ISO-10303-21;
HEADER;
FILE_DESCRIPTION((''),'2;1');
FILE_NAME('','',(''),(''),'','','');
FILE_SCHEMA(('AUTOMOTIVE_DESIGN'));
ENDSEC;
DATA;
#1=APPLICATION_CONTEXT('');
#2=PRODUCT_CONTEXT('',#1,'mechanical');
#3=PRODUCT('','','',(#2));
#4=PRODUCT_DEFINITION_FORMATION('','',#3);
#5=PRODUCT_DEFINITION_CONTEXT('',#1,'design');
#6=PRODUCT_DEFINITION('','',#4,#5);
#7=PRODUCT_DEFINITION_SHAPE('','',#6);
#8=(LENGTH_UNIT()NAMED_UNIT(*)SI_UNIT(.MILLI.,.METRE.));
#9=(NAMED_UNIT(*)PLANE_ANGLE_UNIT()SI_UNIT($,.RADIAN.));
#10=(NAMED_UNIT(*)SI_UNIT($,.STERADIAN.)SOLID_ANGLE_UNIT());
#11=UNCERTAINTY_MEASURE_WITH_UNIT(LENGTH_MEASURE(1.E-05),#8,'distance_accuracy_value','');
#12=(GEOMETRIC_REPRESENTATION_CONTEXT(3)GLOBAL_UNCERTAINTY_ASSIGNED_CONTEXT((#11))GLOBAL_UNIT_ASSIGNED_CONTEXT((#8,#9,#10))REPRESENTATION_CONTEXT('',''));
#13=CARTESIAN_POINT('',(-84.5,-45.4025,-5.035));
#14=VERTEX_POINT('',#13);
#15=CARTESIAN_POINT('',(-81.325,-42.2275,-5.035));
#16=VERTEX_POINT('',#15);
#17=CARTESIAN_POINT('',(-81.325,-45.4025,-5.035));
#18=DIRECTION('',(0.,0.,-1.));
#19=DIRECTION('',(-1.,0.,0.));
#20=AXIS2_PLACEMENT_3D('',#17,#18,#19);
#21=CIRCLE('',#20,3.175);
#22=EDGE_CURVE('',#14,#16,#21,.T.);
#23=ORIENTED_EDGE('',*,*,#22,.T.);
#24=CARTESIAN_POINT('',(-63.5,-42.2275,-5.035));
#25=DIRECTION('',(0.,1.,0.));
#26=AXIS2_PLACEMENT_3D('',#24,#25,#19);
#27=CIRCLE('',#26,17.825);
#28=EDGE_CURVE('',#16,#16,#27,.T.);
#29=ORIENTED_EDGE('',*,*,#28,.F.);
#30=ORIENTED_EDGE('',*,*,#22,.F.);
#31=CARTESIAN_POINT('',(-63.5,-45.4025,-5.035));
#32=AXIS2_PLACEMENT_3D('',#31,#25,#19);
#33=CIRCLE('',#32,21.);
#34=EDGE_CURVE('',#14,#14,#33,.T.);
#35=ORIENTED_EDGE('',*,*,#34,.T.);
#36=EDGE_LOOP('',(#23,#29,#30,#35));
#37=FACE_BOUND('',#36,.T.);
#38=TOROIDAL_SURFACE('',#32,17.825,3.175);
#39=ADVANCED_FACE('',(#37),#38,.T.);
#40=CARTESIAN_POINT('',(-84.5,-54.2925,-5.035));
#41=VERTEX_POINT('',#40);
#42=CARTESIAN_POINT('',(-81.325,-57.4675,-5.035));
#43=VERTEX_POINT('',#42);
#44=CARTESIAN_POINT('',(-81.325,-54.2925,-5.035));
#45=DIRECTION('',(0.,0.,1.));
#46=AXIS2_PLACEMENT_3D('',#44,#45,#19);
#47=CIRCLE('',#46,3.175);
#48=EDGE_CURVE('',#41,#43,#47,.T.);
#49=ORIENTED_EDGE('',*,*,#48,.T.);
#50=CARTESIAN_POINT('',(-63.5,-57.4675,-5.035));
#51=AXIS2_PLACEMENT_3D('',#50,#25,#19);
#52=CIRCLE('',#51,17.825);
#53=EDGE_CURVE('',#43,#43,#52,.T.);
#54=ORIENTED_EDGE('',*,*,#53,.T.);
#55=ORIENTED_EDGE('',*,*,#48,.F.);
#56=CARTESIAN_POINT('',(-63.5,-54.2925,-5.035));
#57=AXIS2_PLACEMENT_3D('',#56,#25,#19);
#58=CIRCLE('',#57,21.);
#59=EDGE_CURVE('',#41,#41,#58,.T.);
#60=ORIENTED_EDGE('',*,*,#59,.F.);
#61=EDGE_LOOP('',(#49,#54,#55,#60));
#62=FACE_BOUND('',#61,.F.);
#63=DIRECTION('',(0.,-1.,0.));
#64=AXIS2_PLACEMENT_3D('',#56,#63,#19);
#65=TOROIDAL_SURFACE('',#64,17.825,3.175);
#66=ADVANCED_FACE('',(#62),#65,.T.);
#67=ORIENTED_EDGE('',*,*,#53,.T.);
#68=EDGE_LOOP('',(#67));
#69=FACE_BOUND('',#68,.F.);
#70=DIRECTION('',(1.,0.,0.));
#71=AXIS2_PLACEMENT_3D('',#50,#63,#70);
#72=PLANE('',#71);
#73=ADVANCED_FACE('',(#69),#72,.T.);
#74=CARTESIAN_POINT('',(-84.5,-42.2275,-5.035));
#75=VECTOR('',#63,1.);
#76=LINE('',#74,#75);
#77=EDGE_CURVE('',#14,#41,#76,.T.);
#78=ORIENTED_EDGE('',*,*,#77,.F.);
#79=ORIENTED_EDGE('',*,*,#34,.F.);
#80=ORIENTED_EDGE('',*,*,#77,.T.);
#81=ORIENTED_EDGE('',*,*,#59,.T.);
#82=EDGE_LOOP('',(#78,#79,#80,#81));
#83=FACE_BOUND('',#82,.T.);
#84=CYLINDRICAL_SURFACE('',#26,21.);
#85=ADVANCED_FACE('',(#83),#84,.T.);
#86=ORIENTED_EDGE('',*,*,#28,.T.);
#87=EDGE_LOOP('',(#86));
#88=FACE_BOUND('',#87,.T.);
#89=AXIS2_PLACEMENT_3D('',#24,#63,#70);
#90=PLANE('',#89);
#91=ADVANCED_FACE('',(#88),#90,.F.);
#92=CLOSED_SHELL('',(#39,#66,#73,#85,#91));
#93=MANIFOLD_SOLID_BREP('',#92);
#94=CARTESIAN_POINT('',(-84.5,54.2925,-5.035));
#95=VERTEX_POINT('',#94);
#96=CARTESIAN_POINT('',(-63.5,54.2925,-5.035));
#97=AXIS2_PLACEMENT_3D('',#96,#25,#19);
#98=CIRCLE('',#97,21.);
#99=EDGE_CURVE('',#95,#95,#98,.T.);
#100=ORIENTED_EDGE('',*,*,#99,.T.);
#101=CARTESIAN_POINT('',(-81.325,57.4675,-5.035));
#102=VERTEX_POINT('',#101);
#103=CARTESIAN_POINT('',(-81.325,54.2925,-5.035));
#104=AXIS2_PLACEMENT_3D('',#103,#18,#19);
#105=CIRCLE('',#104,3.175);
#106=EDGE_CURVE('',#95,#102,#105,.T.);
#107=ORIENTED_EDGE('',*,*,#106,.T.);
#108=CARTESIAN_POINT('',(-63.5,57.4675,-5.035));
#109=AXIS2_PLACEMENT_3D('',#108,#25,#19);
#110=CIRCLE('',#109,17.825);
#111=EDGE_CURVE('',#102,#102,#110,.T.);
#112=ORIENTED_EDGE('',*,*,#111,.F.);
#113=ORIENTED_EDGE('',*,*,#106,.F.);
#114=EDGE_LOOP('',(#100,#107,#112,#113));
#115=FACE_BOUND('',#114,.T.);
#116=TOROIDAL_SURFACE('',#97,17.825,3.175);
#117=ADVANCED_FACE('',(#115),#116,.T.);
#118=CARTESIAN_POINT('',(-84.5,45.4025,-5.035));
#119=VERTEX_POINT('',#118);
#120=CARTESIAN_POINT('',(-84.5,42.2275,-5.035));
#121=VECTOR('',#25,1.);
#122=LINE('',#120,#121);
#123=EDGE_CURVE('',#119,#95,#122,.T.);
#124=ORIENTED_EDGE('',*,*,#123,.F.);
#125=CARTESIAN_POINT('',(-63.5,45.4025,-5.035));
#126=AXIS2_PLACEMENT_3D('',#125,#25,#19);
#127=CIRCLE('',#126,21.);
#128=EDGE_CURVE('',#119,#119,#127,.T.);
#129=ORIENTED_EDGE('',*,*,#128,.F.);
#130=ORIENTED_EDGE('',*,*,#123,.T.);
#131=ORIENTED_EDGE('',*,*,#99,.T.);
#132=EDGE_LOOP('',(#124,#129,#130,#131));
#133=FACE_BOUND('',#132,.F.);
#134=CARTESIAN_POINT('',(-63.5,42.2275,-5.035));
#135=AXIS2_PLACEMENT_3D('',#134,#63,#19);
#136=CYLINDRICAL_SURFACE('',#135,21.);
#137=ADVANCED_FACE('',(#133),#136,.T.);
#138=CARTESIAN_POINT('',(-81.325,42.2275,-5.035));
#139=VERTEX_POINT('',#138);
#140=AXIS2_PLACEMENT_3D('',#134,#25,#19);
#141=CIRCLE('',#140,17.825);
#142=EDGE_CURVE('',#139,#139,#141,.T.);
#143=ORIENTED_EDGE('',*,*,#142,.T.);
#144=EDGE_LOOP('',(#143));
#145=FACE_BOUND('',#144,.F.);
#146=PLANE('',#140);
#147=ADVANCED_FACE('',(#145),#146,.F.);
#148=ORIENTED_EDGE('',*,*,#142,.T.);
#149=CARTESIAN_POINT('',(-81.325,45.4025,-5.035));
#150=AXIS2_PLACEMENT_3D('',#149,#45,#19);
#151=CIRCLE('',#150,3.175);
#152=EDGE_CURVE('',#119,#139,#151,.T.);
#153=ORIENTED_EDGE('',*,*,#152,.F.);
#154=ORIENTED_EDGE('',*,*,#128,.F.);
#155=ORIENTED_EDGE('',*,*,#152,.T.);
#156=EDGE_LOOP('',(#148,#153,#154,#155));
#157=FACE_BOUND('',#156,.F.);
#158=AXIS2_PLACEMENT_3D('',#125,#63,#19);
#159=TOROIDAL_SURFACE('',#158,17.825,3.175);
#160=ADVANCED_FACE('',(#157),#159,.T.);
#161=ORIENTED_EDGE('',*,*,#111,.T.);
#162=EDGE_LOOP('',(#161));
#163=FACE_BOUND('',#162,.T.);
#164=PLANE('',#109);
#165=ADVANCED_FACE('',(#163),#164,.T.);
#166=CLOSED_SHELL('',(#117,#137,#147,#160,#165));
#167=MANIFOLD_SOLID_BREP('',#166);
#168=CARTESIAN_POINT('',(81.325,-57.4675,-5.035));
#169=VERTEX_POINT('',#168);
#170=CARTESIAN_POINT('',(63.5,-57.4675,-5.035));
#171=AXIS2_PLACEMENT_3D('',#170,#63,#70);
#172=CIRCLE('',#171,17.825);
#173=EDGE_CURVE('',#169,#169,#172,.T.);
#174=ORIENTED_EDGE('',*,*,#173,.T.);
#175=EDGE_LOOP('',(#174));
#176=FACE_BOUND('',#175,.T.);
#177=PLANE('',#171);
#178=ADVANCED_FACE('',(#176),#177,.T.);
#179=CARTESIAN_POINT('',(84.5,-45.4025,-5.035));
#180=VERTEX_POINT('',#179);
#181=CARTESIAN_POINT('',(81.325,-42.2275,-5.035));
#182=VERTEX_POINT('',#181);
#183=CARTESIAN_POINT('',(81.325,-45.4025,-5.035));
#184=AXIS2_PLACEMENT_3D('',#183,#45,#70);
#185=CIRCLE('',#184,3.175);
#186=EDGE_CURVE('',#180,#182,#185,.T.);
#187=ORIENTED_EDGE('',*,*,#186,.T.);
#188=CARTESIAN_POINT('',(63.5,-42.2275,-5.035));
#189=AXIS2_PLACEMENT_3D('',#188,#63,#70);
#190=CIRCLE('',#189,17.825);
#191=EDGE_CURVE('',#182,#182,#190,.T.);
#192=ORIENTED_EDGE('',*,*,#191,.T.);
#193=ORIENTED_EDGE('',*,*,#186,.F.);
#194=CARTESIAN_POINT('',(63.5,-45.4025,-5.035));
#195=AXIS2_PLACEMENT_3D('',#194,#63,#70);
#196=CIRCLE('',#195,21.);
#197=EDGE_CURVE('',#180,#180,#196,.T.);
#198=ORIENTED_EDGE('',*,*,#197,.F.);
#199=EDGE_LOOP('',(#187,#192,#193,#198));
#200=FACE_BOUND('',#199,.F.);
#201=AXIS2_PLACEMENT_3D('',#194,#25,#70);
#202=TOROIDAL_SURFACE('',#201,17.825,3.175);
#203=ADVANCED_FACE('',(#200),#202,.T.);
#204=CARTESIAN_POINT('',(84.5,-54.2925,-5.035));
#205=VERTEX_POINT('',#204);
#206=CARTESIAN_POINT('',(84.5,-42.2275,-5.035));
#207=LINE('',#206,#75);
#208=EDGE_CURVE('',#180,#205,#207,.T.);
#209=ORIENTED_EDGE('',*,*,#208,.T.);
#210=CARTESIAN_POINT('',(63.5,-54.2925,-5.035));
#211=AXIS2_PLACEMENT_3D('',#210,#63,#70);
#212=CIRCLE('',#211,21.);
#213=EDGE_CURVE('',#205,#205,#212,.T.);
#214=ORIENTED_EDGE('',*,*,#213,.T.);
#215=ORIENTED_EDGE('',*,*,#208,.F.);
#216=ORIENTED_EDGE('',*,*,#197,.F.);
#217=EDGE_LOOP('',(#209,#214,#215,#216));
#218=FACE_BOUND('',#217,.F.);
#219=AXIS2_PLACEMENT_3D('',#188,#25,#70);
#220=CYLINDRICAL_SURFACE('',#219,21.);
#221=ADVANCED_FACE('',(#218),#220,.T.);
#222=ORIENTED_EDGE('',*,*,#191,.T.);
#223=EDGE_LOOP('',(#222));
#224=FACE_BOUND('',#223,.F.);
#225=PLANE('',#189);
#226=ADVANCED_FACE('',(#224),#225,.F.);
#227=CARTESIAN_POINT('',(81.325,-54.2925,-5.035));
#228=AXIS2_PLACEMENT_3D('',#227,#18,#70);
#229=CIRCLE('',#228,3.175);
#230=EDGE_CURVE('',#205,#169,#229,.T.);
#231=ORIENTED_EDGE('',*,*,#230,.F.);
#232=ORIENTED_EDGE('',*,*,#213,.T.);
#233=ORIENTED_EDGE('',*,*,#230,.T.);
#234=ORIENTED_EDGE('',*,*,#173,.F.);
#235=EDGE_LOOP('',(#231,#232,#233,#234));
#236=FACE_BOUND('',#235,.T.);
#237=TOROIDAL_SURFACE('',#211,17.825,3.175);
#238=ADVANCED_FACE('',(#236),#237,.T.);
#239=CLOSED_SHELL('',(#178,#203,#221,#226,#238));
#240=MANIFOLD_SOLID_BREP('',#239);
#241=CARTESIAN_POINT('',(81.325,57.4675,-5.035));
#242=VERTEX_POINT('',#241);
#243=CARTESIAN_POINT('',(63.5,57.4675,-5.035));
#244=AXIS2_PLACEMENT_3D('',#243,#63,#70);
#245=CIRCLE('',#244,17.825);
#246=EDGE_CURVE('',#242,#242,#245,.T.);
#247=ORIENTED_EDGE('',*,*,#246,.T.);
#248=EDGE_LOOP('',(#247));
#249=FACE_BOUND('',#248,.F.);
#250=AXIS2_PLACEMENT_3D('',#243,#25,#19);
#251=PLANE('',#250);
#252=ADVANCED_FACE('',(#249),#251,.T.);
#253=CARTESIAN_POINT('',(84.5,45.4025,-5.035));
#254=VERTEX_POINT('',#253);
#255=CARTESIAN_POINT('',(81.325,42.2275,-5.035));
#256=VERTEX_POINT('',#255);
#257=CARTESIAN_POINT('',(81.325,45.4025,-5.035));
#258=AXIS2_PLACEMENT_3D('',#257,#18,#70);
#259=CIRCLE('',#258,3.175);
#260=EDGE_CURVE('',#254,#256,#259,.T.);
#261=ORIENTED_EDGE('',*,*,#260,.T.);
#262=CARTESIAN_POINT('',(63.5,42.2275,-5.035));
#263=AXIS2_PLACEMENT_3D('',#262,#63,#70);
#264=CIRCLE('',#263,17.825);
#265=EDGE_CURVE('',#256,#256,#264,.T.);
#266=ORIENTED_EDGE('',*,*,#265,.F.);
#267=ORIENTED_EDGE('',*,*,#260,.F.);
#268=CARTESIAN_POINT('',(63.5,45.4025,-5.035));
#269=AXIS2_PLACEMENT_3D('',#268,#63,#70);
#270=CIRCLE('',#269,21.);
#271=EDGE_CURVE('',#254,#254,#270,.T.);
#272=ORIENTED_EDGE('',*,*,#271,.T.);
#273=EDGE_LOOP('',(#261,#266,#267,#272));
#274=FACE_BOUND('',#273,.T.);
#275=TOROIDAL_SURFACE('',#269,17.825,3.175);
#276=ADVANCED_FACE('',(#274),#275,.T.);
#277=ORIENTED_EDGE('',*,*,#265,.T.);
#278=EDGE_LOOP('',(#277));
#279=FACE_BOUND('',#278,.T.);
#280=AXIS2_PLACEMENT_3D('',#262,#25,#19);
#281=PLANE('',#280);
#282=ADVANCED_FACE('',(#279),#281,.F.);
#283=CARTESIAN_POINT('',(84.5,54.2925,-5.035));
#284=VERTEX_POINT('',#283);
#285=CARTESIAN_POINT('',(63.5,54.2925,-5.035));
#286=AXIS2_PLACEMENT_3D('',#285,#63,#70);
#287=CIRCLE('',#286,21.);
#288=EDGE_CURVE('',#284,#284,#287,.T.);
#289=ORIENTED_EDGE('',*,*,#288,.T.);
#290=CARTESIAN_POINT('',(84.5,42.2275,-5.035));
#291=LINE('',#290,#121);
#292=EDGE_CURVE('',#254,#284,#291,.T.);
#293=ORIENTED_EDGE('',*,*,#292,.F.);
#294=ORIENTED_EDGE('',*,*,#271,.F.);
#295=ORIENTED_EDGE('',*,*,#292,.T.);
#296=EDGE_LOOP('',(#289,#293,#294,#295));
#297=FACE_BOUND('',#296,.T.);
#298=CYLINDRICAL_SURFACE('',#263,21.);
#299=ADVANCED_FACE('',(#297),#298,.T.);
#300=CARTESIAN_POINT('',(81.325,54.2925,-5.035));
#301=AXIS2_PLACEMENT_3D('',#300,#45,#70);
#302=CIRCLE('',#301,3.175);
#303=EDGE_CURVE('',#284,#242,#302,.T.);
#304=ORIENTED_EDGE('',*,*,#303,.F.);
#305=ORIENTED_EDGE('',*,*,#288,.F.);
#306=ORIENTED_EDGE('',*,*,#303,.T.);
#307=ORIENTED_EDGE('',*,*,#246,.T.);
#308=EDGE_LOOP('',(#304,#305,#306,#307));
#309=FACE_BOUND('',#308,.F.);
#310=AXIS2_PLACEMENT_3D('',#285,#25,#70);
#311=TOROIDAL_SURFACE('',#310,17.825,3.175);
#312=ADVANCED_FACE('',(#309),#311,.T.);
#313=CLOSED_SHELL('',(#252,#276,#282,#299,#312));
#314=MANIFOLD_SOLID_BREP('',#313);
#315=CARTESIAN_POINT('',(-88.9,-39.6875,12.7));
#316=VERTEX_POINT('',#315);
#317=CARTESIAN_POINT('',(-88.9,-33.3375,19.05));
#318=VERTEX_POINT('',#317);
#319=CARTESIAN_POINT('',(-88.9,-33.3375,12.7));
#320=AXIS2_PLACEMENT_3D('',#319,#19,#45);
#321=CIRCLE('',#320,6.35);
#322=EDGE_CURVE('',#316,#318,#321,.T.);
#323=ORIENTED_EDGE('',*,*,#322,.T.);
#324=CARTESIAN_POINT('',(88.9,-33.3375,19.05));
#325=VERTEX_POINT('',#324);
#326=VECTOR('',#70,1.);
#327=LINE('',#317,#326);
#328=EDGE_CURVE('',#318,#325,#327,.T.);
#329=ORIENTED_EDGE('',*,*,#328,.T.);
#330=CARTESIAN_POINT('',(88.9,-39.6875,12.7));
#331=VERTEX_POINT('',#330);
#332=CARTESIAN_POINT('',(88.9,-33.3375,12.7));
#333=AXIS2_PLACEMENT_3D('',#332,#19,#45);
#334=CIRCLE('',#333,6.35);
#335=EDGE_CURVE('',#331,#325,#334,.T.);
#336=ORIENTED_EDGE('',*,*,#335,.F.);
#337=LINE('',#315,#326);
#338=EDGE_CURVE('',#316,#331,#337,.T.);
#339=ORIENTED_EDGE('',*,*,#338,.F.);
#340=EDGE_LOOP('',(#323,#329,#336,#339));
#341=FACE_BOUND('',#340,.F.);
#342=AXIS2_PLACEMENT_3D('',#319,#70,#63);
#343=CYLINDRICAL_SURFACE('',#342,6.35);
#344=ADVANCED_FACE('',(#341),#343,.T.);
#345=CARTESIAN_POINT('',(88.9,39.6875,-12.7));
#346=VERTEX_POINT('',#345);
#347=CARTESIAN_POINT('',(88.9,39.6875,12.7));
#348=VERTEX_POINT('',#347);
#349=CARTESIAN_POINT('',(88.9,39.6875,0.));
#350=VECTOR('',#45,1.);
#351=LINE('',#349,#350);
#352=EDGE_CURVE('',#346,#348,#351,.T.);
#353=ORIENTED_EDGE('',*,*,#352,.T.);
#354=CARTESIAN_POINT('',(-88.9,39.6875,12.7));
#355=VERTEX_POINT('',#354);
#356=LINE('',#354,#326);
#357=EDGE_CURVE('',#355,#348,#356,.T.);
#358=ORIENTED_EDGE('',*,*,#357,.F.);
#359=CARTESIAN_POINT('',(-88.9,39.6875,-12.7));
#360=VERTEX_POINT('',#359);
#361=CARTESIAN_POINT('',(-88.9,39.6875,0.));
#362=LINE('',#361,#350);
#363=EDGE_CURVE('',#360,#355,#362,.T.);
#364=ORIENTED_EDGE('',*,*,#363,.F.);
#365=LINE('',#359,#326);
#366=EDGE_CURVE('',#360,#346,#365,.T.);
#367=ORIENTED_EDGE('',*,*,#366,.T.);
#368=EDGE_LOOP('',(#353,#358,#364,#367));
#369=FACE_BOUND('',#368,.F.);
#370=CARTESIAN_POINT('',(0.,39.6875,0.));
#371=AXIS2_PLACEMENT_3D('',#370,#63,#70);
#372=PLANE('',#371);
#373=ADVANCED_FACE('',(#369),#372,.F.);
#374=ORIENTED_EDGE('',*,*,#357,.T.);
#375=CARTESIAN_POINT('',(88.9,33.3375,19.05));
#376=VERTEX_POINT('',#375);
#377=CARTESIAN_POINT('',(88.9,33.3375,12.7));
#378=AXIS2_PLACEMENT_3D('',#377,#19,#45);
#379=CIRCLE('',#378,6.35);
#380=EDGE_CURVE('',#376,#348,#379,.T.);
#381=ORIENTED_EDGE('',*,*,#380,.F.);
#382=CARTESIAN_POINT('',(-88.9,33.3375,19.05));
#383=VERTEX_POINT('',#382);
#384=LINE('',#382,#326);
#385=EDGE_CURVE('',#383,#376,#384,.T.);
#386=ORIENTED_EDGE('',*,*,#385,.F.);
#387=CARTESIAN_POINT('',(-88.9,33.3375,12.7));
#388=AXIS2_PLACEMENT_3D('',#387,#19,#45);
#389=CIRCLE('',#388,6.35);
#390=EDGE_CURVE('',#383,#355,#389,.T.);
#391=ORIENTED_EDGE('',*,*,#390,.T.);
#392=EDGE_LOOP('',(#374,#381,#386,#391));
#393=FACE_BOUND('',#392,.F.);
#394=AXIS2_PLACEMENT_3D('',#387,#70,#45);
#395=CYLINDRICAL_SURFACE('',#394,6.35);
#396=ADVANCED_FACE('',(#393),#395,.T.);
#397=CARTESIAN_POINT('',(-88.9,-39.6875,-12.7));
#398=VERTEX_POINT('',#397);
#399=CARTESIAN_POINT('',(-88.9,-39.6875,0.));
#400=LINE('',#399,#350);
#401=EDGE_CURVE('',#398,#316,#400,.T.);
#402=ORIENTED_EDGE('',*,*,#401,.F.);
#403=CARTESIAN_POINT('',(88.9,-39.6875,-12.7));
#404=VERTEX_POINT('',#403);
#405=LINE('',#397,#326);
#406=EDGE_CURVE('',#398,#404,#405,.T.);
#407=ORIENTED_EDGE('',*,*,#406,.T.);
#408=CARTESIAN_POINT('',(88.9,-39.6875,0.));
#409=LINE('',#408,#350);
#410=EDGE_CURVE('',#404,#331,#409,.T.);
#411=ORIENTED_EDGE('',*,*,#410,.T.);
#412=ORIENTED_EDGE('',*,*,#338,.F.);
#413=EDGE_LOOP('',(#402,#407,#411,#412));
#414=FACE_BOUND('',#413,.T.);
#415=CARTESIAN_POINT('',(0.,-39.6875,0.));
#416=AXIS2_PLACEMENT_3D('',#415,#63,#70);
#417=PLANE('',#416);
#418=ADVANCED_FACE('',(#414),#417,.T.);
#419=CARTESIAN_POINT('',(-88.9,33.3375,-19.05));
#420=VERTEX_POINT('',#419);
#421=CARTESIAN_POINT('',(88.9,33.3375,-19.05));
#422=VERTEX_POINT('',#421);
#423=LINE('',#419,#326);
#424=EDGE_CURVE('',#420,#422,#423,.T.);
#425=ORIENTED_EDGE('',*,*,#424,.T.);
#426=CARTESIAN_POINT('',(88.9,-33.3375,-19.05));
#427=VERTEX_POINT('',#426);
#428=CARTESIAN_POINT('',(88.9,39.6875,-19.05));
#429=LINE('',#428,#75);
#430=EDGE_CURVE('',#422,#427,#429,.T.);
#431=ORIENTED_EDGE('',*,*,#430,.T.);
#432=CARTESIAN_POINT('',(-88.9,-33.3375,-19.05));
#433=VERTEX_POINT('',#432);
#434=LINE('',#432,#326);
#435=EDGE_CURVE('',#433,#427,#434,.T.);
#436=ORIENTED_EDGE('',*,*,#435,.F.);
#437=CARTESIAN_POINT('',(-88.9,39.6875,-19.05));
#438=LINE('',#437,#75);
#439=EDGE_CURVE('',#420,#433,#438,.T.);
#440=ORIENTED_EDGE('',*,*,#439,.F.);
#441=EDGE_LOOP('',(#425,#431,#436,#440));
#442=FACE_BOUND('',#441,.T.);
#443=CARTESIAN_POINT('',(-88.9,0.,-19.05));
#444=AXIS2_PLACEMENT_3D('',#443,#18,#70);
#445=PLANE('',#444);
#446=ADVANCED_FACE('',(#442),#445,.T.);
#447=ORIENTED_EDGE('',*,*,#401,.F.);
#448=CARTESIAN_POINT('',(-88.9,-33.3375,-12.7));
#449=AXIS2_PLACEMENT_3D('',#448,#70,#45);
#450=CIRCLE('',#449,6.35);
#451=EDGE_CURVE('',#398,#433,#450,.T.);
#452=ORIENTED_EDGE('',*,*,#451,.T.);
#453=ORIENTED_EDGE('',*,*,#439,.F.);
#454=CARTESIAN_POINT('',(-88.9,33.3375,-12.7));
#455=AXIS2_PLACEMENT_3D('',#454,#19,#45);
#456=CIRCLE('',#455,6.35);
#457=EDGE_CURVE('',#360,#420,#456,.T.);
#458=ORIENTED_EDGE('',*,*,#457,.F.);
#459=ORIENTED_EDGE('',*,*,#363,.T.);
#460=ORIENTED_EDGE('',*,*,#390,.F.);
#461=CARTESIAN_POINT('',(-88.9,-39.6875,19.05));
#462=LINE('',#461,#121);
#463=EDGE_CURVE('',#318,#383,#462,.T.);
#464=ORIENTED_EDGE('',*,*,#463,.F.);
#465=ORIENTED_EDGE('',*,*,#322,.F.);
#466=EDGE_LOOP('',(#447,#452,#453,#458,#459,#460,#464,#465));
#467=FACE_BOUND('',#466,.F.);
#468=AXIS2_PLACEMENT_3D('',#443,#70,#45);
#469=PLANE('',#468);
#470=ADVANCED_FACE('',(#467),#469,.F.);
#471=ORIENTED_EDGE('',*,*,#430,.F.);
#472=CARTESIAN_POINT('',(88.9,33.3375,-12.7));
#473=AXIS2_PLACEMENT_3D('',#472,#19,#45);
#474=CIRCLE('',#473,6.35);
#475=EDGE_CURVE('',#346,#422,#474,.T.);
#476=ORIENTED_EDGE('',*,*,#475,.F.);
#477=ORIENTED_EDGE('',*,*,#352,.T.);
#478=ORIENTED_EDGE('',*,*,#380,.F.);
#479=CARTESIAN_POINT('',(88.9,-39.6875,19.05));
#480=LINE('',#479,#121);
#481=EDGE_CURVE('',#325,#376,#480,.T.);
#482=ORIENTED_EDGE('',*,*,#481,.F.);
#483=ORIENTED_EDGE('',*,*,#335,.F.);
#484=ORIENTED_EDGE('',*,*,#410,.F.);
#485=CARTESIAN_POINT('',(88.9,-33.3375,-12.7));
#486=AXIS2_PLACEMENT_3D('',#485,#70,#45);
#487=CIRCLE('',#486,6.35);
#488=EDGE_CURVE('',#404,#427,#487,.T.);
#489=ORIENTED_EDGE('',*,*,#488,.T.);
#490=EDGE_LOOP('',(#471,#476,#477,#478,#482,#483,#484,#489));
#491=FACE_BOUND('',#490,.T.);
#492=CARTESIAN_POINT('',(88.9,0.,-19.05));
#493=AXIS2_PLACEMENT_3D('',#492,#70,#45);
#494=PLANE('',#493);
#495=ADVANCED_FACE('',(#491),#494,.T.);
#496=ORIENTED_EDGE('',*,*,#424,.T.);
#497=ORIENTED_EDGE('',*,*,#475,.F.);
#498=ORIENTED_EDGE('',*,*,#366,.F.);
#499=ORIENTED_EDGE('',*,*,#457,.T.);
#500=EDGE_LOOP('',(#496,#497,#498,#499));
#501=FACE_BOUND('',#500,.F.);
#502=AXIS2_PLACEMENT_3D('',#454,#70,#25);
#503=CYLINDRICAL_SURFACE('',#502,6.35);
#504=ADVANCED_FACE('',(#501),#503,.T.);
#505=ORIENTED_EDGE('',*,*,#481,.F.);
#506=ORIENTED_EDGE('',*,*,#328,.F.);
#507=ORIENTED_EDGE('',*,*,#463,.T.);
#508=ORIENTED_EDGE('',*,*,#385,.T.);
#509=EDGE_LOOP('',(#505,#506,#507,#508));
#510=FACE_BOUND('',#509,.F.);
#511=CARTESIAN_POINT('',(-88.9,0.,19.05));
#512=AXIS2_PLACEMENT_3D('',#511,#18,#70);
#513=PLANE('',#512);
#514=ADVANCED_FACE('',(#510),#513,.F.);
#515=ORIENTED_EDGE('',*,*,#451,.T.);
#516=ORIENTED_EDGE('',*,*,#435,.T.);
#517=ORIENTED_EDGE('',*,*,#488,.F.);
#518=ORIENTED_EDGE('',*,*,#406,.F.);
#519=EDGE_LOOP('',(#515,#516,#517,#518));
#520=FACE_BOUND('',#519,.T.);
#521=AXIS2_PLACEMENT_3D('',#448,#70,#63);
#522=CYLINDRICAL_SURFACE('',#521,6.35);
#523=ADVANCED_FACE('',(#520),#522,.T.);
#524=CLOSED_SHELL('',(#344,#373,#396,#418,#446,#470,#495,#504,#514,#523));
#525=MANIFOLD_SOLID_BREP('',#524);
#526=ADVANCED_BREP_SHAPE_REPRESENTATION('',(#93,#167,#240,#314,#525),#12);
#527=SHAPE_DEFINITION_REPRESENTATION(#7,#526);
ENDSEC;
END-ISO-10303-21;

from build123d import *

# Parameters (mm, degrees)
F1_W     = 177.8
F1_H     = 38.1
F2_DEPTH = 39.6875
F4_R     = 21
F5_DEPTH = 15.24
F6_R     = 6.35
F7_R     = 3.175
F8_R     = 3.175
F10_R    = 6.35
F11_R    = 6.35


with BuildPart() as f2:
    # F1 (on Front) → F2 (new body, symmetric)
    with BuildSketch(Plane.XZ):
        Rectangle(F1_W, F1_H)
    extrude(amount=F2_DEPTH, both=True)

    # F6
    f6_edges = [f2.edges().sort_by_distance(p)[0] for p in [
        (0, -39.6875, 19.05),
    ]]
    fillet(f6_edges, radius=F6_R)

    # F10
    f10_edges = [f2.edges().sort_by_distance(p)[0] for p in [
        (0, -39.6875, -19.05),
        (0, 39.6875, 19.05),
    ]]
    fillet(f10_edges, radius=F10_R)

    # F11
    f11_edges = [f2.edges().sort_by_distance(p)[0] for p in [
        (0, 39.6875, -19.05),
    ]]
    fillet(f11_edges, radius=F11_R)


with BuildPart() as f5:
    # F4 (on offset) → F5 (new body)
    with BuildSketch(Plane.XZ.offset(42.2275)):
        with Locations((63.5, -5.035)):
            Circle(F4_R)
    extrude(amount=F5_DEPTH)

    # F7
    f7_edges = [f5.edges().sort_by_distance(p)[0] for p in [
        (42.5, -57.4675, -5.035),
    ]]
    fillet(f7_edges, radius=F7_R)

    # F8
    f8_edges = [f5.edges().sort_by_distance(p)[0] for p in [
        (42.5, -42.2275, -5.035),
    ]]
    fillet(f8_edges, radius=F8_R)


with BuildPart() as f9_1:
    # F9: instance of F5
    add(f5.part.mirror(Plane.XZ))


with BuildPart() as f12_1:
    # F12: instance of F5
    add(f5.part.mirror(Plane.YZ))


with BuildPart() as f12_2:
    # F12: instance of F9_1
    add(f9_1.part.mirror(Plane.YZ))


solid = Compound([f2.part, f5.part, f9_1.part, f12_1.part, f12_2.part])
